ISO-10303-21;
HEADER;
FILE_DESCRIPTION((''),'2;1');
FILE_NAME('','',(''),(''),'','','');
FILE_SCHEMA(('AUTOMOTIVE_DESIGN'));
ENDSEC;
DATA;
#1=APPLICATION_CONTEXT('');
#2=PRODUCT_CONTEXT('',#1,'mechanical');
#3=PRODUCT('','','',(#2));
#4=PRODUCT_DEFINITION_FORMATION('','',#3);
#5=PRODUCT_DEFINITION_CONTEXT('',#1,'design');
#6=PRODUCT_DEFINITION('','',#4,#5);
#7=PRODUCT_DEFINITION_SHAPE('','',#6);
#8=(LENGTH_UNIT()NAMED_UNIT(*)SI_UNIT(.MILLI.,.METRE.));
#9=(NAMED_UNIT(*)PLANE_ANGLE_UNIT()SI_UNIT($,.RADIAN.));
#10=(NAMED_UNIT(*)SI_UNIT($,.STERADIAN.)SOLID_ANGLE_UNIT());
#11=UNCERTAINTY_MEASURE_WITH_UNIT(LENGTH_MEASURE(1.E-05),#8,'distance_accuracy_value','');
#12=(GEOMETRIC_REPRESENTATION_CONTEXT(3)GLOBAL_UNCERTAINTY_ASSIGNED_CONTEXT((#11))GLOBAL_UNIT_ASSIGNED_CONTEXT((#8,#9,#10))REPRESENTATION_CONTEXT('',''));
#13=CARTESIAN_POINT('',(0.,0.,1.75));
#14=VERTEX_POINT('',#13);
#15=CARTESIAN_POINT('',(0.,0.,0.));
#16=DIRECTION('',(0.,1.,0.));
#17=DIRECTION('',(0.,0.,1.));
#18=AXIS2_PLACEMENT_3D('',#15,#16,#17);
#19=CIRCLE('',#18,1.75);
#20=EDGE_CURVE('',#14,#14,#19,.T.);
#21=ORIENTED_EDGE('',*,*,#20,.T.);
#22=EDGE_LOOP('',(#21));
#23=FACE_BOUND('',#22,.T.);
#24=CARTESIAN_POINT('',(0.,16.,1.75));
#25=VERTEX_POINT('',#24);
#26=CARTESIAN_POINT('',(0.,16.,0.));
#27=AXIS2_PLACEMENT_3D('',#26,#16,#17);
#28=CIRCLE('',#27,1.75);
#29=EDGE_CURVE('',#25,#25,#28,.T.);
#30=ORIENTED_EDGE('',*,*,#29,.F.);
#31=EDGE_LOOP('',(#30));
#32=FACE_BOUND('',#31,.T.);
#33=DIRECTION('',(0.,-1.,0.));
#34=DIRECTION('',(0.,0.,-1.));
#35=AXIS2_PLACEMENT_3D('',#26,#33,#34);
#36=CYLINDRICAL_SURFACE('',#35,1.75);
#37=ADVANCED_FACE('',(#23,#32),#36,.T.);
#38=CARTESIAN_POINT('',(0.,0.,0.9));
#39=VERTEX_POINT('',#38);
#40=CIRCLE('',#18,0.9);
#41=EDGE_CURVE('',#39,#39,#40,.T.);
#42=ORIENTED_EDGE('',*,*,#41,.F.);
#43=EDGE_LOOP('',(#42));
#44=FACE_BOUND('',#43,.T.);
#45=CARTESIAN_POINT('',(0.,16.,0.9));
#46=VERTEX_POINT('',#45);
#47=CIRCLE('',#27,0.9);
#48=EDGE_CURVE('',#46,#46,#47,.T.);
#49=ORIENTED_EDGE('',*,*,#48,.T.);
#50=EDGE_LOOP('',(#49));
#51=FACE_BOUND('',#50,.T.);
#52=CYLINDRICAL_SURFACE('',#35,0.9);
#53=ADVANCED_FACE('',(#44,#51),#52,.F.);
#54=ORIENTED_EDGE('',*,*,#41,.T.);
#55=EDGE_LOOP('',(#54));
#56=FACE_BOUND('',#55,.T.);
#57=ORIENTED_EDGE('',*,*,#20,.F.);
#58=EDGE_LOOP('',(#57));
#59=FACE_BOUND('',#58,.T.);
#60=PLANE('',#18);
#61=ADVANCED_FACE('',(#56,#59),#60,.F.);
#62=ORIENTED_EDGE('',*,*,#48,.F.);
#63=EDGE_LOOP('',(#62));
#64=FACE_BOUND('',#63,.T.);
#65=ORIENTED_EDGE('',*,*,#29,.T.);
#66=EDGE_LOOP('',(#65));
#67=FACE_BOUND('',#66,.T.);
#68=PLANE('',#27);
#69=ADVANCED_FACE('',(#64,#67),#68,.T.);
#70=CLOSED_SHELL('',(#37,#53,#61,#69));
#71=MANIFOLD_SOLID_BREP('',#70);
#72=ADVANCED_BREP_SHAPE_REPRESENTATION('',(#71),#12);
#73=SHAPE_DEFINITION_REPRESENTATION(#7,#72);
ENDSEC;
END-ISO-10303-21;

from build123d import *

# Parameters (mm, degrees)
SKETCH_1_R      = 1.75
SKETCH_1_R_2    = 0.9
EXTRUDE_1_DEPTH = 16


with BuildPart() as part:
    # 草图1 → 凸台-拉伸1 (new body)
    with BuildSketch(Plane(origin=(0, 0, 0), x_dir=(1, 0, 0), z_dir=(0, 1, 0))):
        with Locations(Location((0, 0, 0), (0, 0, 270))):
            Circle(SKETCH_1_R)
        with Locations(Location((0, 0, 0), (0, 0, 270))):
            Circle(SKETCH_1_R_2, mode=Mode.SUBTRACT)
    extrude(amount=EXTRUDE_1_DEPTH)


solid = part.part
